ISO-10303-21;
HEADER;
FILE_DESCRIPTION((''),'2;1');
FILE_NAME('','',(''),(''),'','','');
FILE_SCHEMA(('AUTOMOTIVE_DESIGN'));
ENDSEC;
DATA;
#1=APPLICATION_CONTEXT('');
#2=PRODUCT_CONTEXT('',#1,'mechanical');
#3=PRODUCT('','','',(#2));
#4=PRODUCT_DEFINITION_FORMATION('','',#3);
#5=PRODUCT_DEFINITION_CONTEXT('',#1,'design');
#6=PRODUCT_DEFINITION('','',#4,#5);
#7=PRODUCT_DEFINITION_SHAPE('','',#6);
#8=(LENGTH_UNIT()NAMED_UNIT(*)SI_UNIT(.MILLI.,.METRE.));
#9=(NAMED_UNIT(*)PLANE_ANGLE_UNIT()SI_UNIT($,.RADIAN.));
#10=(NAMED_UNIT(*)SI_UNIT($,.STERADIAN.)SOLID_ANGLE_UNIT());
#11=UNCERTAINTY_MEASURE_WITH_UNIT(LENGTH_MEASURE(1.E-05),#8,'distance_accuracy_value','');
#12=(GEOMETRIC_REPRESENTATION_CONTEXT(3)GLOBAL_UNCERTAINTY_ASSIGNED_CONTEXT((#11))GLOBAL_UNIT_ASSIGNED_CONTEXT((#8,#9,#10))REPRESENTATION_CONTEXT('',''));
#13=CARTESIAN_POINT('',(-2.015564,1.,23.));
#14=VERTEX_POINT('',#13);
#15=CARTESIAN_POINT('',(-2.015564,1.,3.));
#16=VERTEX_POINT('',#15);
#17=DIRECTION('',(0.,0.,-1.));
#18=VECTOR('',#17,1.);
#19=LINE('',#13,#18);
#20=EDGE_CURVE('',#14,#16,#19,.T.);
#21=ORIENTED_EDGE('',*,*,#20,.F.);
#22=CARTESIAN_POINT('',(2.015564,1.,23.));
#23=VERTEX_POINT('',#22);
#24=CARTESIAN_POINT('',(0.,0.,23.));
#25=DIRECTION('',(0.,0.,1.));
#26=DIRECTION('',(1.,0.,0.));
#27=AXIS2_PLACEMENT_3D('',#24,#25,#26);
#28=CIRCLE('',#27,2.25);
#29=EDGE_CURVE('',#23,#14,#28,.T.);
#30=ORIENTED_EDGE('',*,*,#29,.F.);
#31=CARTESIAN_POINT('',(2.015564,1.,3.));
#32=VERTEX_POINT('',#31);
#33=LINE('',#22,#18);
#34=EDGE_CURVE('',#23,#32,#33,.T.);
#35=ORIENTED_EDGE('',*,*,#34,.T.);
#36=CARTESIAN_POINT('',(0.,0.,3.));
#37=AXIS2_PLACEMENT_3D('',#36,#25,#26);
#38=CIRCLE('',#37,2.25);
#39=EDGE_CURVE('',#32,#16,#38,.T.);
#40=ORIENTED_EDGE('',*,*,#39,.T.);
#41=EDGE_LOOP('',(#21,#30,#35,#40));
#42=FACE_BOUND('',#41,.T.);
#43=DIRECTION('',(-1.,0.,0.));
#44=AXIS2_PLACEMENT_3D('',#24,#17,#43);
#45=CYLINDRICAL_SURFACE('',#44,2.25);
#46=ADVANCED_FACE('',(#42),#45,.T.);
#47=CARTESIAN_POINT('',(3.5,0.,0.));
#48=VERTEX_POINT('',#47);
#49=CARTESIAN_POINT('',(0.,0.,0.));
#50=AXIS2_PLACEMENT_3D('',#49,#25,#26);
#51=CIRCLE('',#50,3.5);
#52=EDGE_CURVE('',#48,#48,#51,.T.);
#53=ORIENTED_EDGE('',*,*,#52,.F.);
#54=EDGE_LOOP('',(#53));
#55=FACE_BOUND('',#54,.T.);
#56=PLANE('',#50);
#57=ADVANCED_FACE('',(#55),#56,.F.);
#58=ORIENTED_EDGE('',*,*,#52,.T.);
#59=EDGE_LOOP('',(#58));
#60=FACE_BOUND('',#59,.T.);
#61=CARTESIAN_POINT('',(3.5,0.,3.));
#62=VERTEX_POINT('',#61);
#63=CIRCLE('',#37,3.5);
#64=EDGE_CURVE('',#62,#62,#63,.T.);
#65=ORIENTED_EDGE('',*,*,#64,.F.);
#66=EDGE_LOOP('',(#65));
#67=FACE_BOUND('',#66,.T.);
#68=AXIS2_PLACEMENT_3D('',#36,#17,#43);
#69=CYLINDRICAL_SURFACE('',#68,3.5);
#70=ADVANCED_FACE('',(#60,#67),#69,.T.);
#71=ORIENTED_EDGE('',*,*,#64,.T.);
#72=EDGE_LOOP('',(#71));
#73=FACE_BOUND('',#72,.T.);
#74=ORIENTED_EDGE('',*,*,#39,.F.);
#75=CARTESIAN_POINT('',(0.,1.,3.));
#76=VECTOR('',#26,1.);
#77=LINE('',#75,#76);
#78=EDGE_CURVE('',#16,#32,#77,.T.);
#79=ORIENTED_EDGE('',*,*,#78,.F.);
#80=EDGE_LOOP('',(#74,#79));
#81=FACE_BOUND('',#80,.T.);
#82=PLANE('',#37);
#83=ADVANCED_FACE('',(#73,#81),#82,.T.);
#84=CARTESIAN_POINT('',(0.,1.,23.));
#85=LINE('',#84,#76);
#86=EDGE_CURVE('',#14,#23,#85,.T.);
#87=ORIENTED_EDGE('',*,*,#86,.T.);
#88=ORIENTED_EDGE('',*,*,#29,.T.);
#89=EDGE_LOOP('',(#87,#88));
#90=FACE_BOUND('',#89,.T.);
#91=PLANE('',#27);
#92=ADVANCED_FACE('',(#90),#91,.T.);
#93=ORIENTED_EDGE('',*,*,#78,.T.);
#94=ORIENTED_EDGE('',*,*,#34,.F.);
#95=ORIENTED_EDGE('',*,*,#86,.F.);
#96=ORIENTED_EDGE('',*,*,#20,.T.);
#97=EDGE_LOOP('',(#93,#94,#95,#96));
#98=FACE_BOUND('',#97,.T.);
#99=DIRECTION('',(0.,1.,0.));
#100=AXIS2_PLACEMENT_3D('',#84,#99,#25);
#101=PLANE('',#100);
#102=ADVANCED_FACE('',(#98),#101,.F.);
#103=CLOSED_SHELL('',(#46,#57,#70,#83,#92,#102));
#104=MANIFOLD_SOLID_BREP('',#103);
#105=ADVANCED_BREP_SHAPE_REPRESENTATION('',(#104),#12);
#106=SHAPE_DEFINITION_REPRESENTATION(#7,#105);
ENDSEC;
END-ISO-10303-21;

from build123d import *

# Parameters (mm, degrees)
BOSS_EXTRUDE1_DEPTH = 3
BOSS_EXTRUDE2_DEPTH = 20


with BuildPart() as part:
    # Sketch1 → Boss-Extrude1 (new body)
    with BuildSketch(Plane.XY):
        with BuildLine():
            ThreePointArc((3.354101966, 1), (0, 3.5), (-3.354101966, 1))
            Line((-3.354101966, 1), (3.354101966, 1))
        make_face()
        with BuildLine():
            Line((3.354101966, 1), (-3.354101966, 1))
            ThreePointArc((-3.354101966, 1), (-0.505293538, -3.463333429), (3.5, 0))
            ThreePointArc((3.5, 0), (3.463333429, 0.505293538), (3.354101966, 1))
        make_face()
    extrude(amount=BOSS_EXTRUDE1_DEPTH)

    # Sketch2 → Boss-Extrude2 (add)
    with BuildSketch(Plane.XY.offset(3)):
        with BuildLine():
            ThreePointArc((2.015564437, 1), (0, 2.25), (-2.015564437, 1))
            Line((-2.015564437, 1), (2.015564437, 1))
        make_face()
    extrude(amount=BOSS_EXTRUDE2_DEPTH)


solid = part.part
